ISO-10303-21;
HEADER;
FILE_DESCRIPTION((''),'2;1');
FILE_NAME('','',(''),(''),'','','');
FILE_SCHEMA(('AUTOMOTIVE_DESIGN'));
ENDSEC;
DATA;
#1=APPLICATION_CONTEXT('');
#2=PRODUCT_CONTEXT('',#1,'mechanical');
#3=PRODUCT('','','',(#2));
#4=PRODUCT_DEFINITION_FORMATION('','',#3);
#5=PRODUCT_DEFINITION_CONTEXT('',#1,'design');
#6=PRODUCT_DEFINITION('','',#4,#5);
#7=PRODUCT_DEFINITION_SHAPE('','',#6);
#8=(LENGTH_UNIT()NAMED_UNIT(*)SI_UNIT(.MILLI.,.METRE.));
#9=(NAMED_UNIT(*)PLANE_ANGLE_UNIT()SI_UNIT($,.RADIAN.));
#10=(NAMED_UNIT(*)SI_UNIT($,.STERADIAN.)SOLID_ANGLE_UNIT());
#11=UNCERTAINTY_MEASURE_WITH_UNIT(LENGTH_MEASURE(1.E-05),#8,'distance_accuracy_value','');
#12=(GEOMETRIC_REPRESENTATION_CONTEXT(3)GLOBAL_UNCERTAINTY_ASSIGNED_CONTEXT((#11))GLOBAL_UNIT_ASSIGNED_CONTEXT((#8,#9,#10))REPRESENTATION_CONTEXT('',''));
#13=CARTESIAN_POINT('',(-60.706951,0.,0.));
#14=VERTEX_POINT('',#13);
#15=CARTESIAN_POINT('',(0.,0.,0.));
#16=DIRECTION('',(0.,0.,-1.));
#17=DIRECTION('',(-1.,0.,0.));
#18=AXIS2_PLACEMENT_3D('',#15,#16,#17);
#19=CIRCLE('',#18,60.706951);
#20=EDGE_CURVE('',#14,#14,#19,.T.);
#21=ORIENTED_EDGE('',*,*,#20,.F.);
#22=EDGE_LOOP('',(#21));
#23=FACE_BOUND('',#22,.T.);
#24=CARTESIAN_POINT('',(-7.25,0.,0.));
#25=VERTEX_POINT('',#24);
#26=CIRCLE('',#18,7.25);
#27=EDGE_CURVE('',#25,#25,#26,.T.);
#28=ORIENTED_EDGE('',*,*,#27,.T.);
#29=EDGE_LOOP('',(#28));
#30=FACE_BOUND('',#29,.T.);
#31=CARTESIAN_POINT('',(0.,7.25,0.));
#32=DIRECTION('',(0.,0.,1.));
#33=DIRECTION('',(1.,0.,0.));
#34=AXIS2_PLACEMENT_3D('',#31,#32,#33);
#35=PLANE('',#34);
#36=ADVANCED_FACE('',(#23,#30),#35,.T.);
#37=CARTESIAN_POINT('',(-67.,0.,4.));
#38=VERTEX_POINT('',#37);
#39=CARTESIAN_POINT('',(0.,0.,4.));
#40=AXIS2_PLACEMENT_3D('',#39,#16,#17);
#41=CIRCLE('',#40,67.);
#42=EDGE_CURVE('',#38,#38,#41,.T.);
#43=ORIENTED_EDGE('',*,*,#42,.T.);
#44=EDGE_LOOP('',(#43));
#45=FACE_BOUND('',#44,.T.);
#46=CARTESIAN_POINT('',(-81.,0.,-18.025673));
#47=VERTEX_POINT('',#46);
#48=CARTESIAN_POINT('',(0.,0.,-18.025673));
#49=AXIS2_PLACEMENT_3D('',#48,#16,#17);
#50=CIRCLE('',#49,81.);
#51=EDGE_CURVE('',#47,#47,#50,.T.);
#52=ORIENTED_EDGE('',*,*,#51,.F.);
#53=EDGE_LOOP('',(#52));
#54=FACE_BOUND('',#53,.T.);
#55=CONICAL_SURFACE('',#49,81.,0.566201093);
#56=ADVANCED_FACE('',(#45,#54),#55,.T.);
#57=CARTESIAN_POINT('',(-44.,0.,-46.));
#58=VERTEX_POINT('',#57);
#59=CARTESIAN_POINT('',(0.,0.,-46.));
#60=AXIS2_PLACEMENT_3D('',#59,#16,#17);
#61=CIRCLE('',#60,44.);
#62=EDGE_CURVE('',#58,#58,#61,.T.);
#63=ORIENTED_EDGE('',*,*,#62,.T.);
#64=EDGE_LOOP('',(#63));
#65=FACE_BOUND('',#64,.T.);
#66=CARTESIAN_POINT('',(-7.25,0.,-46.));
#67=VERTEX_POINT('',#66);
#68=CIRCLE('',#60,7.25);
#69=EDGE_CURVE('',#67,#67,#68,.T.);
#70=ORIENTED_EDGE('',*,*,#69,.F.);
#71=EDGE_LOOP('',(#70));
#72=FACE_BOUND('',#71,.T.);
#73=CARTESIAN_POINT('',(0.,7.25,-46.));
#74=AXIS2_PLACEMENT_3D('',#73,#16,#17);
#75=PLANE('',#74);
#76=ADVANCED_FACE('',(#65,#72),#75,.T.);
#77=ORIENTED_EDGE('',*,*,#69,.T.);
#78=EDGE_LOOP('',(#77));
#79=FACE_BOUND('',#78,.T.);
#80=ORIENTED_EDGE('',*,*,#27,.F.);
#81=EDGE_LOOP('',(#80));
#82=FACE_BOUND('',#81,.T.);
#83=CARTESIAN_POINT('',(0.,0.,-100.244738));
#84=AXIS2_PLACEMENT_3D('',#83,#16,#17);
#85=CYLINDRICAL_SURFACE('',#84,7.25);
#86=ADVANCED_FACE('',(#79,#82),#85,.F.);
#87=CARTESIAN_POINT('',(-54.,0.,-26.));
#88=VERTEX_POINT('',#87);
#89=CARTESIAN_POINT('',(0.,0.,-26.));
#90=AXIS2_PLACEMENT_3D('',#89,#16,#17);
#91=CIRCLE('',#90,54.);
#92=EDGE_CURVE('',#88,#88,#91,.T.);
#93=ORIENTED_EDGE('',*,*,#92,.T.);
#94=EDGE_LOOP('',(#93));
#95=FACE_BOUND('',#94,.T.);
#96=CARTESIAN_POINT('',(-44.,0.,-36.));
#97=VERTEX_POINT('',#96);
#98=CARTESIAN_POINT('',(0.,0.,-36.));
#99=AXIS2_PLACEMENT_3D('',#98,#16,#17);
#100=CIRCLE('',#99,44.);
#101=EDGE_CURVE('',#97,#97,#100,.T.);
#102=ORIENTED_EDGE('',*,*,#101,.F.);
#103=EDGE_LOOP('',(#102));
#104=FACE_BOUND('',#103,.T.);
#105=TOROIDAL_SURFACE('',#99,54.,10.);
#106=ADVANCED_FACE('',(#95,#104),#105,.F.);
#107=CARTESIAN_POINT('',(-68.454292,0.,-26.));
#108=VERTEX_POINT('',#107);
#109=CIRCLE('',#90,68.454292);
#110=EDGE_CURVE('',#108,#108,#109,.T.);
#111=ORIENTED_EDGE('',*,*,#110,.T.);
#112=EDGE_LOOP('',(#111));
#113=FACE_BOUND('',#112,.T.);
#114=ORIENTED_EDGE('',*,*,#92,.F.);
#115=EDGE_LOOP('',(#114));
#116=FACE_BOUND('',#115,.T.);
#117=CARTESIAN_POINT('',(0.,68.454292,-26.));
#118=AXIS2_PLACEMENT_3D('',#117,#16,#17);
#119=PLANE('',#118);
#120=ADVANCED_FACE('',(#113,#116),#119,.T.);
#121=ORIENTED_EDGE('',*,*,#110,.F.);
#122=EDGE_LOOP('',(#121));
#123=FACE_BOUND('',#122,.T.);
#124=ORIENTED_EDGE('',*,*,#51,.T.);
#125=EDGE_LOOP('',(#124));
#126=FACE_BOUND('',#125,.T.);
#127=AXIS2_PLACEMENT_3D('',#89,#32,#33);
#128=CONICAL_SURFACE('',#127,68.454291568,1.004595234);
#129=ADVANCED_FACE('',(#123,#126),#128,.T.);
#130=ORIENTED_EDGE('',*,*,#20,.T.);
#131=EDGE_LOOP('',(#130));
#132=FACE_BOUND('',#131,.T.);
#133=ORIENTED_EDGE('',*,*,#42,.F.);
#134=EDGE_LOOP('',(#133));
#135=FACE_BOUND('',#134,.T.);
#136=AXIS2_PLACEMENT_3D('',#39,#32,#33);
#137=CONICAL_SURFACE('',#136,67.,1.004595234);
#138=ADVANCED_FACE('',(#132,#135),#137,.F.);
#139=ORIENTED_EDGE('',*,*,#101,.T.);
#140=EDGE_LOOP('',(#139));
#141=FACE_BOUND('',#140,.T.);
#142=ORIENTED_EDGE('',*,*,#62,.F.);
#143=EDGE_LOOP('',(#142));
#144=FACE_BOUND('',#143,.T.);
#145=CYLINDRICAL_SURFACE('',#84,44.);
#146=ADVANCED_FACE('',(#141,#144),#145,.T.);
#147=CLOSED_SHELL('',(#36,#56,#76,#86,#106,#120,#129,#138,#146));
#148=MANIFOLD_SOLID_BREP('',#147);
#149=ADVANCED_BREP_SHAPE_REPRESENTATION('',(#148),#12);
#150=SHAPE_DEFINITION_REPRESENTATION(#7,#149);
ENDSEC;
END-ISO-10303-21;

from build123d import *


with BuildPart() as part:
    # Çizim1 → Döndür1 (revolve)
    with BuildSketch(Plane(origin=(0, 0, 0), x_dir=(0, 0, -1), z_dir=(1, 0, 0)), mode=Mode.PRIVATE) as d_nd_r1_sk:
        with BuildLine():
            Line((0, 7.25), (0, 60.706950554))
            Line((0, 60.706950554), (-4, 67))
            Line((-4, 67), (18.02567306, 81))
            Line((18.02567306, 81), (26, 68.454291568))
            Line((26, 68.454291568), (26, 54))
            ThreePointArc((26, 54), (28.928932188, 46.928932188), (36, 44))
            Line((36, 44), (46, 44))
            Line((46, 44), (46, 7.25))
            Line((46, 7.25), (0, 7.25))
        make_face()
    revolve(d_nd_r1_sk.sketch.rotate(Axis((0, 0, -100.24473813), (0, 0, 1)), 90), axis=Axis((0, 0, -100.24473813), (0, 0, 1)))


solid = part.part
